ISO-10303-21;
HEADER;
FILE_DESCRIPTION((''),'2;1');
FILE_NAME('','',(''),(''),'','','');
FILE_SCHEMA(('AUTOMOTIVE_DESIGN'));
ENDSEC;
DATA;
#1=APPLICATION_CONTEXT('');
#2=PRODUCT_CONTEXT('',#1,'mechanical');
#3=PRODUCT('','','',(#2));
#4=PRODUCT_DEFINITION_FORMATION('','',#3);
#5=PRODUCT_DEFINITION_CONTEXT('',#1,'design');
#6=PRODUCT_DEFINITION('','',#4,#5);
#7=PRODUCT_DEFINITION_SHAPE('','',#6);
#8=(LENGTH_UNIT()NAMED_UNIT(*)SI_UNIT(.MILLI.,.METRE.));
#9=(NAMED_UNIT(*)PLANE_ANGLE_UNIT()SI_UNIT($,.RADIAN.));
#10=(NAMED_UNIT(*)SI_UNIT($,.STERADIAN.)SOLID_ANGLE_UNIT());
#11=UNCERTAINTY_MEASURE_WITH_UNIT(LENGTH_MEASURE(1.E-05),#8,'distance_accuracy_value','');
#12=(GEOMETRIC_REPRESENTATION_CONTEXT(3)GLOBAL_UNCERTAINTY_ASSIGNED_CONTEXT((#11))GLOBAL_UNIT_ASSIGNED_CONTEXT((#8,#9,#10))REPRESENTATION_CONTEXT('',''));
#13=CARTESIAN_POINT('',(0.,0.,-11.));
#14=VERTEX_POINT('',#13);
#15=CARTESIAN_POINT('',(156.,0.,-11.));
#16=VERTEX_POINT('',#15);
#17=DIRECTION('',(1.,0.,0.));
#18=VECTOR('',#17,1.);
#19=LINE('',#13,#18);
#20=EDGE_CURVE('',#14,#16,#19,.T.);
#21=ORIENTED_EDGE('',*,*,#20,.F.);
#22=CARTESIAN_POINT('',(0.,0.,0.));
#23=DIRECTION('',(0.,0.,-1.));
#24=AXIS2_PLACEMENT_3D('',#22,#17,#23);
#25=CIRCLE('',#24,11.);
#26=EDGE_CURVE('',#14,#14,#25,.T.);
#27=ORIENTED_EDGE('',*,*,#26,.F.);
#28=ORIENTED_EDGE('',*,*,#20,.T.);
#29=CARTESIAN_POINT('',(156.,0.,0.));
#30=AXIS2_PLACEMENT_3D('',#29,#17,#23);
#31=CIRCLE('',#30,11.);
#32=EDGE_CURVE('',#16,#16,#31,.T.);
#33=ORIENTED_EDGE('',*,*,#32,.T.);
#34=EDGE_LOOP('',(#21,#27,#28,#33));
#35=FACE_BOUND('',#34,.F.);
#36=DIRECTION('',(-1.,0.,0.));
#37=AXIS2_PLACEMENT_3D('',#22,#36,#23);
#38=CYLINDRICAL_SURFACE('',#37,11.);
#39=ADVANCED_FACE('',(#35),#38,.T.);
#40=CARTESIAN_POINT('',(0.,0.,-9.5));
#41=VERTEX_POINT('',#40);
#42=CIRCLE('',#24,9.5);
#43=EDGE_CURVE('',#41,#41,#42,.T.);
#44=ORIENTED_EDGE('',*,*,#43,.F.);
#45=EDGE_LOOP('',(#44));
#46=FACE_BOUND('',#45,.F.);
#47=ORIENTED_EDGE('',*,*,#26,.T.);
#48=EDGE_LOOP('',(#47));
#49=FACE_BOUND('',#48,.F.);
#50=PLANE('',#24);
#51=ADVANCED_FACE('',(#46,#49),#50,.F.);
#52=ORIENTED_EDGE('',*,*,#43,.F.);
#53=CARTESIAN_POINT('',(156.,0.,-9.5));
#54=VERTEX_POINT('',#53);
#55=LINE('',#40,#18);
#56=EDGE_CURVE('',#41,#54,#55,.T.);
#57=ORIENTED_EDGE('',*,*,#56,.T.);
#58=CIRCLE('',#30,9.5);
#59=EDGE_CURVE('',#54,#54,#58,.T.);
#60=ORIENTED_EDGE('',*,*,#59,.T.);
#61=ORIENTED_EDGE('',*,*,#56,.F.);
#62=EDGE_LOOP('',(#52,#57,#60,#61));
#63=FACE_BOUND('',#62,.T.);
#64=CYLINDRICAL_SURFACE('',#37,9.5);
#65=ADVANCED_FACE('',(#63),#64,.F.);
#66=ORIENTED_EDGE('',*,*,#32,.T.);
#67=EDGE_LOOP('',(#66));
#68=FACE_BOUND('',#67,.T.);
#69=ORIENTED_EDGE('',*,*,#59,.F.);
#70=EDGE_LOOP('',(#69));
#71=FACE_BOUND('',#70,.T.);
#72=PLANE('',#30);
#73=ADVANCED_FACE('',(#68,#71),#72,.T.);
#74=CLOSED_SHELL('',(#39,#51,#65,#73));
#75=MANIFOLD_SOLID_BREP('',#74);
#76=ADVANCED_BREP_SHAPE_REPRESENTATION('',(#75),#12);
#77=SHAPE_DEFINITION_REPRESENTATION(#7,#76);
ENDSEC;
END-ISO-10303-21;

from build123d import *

# Parameters (mm, degrees)
CYLINDER001_R     = 9.5
CYLINDER001_DEPTH = 156
CYLINDER_R        = 11
CYLINDER_DEPTH    = 156
CUT_PITCH_ANGLE   = 90


with BuildPart() as int:
    # Cylinder001 → Cylinder001 (new body)
    with BuildSketch(Plane.XY):
        Circle(CYLINDER001_R)
    extrude(amount=CYLINDER001_DEPTH)


with BuildPart() as steeltube:
    # Cylinder → Cylinder (new body)
    with BuildSketch(Plane.XY):
        Circle(CYLINDER_R)
    extrude(amount=CYLINDER_DEPTH)

    # Cut: cut INT
    add(int.part, mode=Mode.SUBTRACT)


with BuildPart() as steeltube_1:
    # Cut pitch: moved
    add(steeltube.part.rotate(Axis((0, 0, 0), (0, 1, 0)), CUT_PITCH_ANGLE))


with BuildPart() as steeltube_2:
    # Cut placement: moved
    add(steeltube_1.part)


solid = steeltube_2.part
